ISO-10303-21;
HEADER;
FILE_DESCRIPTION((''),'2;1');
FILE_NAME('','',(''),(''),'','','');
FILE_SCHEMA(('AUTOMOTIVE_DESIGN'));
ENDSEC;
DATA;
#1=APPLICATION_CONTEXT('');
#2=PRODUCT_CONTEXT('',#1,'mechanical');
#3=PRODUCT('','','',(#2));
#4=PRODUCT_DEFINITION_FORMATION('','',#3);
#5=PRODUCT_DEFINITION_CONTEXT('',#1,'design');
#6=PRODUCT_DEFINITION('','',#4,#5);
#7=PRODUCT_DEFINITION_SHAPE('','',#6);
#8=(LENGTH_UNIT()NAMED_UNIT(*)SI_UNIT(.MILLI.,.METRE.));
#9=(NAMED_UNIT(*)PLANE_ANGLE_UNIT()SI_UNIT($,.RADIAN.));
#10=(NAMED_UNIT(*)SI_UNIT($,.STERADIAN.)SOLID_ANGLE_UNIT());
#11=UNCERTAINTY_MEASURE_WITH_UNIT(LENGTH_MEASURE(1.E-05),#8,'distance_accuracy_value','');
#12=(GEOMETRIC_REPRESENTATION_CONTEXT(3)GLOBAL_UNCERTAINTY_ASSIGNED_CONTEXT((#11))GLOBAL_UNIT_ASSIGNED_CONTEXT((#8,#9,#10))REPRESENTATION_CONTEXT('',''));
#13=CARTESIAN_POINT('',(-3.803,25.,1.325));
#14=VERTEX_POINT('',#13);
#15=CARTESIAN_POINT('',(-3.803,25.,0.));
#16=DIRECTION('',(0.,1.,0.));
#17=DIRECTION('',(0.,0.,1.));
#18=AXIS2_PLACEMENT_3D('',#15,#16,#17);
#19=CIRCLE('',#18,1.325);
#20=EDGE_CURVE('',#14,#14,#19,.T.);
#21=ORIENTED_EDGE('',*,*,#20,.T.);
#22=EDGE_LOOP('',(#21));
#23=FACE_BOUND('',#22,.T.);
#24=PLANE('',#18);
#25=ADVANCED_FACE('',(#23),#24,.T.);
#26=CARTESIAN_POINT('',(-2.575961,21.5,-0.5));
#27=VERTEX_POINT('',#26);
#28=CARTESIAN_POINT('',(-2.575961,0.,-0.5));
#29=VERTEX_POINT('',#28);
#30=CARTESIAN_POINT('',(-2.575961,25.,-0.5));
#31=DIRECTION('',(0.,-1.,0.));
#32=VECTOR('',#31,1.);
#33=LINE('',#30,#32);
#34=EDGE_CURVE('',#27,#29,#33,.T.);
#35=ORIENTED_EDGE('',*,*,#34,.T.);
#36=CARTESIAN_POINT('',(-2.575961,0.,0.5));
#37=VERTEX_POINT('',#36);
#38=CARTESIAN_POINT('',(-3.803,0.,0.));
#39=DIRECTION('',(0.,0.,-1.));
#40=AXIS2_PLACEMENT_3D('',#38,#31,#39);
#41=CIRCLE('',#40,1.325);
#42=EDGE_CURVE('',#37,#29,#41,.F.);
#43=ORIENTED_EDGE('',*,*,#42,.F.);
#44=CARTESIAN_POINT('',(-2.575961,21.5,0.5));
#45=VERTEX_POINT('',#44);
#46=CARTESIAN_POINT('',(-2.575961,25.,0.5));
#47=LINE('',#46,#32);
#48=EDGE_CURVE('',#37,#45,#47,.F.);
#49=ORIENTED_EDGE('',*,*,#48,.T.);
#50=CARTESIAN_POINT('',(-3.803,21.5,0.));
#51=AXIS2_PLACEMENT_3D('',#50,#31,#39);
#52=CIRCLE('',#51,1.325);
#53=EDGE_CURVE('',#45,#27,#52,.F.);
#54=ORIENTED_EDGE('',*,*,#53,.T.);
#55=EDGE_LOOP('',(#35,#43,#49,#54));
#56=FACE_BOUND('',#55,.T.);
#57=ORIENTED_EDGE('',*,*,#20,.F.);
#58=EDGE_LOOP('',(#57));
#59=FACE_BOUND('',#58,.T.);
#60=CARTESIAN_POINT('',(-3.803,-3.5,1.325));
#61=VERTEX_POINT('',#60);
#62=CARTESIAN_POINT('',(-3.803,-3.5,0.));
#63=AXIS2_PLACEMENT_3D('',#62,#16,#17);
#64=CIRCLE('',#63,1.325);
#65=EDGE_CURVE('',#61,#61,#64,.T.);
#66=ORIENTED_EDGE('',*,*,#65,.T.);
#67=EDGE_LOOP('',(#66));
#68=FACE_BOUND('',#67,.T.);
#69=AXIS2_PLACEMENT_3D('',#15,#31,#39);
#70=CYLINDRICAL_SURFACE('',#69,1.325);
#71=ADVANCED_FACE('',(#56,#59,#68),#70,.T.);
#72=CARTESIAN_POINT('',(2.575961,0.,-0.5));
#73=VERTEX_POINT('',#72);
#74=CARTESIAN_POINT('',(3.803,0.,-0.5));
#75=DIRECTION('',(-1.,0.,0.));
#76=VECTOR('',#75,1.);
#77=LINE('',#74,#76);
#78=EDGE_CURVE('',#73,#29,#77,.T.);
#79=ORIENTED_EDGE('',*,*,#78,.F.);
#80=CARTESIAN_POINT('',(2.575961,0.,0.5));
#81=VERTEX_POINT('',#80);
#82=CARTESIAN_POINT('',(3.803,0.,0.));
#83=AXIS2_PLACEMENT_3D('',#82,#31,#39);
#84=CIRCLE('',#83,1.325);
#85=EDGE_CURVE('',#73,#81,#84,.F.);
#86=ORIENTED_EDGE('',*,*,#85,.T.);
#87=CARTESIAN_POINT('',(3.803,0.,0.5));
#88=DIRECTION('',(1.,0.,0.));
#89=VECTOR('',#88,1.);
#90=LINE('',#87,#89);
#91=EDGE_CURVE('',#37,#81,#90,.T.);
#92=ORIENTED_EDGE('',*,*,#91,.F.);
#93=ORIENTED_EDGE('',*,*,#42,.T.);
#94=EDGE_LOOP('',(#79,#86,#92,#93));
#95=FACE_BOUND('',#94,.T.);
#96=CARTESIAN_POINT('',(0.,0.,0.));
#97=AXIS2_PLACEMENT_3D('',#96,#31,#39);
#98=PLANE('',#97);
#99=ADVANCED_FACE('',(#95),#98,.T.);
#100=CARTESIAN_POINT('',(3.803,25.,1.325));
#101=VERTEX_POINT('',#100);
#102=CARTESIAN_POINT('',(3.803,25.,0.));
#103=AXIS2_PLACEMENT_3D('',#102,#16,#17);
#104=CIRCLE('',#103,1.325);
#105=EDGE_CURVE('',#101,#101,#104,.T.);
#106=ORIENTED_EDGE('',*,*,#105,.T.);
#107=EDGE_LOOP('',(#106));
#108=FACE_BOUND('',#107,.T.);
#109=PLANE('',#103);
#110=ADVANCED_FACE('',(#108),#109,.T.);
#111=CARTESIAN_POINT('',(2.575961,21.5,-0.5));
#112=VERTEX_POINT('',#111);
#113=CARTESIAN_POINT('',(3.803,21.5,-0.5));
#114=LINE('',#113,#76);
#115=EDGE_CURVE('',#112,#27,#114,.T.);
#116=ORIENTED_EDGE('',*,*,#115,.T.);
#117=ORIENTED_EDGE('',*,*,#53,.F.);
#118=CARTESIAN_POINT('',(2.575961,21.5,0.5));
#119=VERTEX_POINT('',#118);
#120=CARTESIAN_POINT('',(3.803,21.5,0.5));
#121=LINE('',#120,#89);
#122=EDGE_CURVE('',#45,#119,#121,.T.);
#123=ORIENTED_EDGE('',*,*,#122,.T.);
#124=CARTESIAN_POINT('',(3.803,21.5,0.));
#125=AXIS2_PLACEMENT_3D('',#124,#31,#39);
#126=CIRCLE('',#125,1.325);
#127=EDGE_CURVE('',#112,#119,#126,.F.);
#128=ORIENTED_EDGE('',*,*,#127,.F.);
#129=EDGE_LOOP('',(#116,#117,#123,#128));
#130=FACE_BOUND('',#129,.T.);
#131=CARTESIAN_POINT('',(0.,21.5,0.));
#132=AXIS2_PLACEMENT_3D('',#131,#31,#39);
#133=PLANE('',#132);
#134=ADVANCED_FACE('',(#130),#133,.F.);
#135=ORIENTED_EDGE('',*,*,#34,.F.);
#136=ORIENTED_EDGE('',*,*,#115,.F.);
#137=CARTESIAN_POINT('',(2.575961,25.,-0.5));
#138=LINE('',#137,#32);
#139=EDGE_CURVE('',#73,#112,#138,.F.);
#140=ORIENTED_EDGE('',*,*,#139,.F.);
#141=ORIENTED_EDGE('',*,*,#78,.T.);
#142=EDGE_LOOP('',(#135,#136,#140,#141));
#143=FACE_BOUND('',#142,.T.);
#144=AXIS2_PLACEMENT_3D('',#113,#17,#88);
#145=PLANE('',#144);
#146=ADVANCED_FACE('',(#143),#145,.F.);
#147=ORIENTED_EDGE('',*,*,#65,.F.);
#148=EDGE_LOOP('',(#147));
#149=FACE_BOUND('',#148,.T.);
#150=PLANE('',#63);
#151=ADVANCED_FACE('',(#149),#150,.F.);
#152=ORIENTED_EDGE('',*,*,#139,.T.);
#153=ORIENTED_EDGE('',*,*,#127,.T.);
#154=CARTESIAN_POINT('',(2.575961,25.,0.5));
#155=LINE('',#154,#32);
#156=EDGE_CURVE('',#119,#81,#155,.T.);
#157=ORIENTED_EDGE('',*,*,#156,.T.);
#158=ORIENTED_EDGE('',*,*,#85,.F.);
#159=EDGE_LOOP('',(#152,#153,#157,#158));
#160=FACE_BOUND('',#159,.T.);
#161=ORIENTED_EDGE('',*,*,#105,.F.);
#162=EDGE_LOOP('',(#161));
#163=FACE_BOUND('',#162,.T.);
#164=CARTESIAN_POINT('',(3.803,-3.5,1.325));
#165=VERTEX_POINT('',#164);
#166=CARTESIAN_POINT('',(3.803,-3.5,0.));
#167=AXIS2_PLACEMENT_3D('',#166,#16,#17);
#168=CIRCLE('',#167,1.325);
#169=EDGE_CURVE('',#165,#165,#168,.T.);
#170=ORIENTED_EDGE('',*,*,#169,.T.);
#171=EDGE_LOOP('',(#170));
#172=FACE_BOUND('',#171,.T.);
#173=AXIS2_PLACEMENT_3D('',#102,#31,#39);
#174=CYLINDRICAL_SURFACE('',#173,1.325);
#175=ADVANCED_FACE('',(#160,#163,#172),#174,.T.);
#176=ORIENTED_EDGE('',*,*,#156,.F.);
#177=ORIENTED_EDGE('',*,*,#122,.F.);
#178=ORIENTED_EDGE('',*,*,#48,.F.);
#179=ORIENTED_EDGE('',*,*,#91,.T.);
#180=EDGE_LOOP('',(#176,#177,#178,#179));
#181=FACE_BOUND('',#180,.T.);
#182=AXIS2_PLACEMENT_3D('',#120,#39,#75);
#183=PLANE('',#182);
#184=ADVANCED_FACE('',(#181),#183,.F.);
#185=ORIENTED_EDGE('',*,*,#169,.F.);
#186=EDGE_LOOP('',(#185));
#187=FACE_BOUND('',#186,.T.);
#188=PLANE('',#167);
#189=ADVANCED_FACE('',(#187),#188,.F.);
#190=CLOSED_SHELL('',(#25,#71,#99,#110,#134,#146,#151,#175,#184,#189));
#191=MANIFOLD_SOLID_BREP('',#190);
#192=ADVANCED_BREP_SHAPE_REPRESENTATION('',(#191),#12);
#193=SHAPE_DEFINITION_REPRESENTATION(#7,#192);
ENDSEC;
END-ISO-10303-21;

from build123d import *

# Parameters (mm, degrees)
SKETCH1_W           = 7.606
SKETCH1_H           = 1
BOSS_EXTRUDE1_DEPTH = 21.5
SKETCH2_R           = 1.325
BOSS_EXTRUDE2_DEPTH = 14.25


with BuildPart() as part:
    # Sketch1 → Boss-Extrude1 (new body)
    with BuildSketch(Plane(origin=(0, 0, 0), x_dir=(1, 0, 0), z_dir=(0, 1, 0))):
        Rectangle(SKETCH1_W, SKETCH1_H)
    extrude(amount=BOSS_EXTRUDE1_DEPTH)

    # Sketch2 → Boss-Extrude2 (add, symmetric)
    with BuildSketch(Plane(origin=(0, 10.75, 0), x_dir=(1, 0, 0), z_dir=(0, 1, 0))):
        with Locations(Location((-3.803, 0, 0), (0, 0, 270))):
            Circle(SKETCH2_R)
        with Locations(Location((3.803, 0, 0), (0, 0, 270))):
            Circle(SKETCH2_R)
    extrude(amount=BOSS_EXTRUDE2_DEPTH, both=True)


solid = part.part
